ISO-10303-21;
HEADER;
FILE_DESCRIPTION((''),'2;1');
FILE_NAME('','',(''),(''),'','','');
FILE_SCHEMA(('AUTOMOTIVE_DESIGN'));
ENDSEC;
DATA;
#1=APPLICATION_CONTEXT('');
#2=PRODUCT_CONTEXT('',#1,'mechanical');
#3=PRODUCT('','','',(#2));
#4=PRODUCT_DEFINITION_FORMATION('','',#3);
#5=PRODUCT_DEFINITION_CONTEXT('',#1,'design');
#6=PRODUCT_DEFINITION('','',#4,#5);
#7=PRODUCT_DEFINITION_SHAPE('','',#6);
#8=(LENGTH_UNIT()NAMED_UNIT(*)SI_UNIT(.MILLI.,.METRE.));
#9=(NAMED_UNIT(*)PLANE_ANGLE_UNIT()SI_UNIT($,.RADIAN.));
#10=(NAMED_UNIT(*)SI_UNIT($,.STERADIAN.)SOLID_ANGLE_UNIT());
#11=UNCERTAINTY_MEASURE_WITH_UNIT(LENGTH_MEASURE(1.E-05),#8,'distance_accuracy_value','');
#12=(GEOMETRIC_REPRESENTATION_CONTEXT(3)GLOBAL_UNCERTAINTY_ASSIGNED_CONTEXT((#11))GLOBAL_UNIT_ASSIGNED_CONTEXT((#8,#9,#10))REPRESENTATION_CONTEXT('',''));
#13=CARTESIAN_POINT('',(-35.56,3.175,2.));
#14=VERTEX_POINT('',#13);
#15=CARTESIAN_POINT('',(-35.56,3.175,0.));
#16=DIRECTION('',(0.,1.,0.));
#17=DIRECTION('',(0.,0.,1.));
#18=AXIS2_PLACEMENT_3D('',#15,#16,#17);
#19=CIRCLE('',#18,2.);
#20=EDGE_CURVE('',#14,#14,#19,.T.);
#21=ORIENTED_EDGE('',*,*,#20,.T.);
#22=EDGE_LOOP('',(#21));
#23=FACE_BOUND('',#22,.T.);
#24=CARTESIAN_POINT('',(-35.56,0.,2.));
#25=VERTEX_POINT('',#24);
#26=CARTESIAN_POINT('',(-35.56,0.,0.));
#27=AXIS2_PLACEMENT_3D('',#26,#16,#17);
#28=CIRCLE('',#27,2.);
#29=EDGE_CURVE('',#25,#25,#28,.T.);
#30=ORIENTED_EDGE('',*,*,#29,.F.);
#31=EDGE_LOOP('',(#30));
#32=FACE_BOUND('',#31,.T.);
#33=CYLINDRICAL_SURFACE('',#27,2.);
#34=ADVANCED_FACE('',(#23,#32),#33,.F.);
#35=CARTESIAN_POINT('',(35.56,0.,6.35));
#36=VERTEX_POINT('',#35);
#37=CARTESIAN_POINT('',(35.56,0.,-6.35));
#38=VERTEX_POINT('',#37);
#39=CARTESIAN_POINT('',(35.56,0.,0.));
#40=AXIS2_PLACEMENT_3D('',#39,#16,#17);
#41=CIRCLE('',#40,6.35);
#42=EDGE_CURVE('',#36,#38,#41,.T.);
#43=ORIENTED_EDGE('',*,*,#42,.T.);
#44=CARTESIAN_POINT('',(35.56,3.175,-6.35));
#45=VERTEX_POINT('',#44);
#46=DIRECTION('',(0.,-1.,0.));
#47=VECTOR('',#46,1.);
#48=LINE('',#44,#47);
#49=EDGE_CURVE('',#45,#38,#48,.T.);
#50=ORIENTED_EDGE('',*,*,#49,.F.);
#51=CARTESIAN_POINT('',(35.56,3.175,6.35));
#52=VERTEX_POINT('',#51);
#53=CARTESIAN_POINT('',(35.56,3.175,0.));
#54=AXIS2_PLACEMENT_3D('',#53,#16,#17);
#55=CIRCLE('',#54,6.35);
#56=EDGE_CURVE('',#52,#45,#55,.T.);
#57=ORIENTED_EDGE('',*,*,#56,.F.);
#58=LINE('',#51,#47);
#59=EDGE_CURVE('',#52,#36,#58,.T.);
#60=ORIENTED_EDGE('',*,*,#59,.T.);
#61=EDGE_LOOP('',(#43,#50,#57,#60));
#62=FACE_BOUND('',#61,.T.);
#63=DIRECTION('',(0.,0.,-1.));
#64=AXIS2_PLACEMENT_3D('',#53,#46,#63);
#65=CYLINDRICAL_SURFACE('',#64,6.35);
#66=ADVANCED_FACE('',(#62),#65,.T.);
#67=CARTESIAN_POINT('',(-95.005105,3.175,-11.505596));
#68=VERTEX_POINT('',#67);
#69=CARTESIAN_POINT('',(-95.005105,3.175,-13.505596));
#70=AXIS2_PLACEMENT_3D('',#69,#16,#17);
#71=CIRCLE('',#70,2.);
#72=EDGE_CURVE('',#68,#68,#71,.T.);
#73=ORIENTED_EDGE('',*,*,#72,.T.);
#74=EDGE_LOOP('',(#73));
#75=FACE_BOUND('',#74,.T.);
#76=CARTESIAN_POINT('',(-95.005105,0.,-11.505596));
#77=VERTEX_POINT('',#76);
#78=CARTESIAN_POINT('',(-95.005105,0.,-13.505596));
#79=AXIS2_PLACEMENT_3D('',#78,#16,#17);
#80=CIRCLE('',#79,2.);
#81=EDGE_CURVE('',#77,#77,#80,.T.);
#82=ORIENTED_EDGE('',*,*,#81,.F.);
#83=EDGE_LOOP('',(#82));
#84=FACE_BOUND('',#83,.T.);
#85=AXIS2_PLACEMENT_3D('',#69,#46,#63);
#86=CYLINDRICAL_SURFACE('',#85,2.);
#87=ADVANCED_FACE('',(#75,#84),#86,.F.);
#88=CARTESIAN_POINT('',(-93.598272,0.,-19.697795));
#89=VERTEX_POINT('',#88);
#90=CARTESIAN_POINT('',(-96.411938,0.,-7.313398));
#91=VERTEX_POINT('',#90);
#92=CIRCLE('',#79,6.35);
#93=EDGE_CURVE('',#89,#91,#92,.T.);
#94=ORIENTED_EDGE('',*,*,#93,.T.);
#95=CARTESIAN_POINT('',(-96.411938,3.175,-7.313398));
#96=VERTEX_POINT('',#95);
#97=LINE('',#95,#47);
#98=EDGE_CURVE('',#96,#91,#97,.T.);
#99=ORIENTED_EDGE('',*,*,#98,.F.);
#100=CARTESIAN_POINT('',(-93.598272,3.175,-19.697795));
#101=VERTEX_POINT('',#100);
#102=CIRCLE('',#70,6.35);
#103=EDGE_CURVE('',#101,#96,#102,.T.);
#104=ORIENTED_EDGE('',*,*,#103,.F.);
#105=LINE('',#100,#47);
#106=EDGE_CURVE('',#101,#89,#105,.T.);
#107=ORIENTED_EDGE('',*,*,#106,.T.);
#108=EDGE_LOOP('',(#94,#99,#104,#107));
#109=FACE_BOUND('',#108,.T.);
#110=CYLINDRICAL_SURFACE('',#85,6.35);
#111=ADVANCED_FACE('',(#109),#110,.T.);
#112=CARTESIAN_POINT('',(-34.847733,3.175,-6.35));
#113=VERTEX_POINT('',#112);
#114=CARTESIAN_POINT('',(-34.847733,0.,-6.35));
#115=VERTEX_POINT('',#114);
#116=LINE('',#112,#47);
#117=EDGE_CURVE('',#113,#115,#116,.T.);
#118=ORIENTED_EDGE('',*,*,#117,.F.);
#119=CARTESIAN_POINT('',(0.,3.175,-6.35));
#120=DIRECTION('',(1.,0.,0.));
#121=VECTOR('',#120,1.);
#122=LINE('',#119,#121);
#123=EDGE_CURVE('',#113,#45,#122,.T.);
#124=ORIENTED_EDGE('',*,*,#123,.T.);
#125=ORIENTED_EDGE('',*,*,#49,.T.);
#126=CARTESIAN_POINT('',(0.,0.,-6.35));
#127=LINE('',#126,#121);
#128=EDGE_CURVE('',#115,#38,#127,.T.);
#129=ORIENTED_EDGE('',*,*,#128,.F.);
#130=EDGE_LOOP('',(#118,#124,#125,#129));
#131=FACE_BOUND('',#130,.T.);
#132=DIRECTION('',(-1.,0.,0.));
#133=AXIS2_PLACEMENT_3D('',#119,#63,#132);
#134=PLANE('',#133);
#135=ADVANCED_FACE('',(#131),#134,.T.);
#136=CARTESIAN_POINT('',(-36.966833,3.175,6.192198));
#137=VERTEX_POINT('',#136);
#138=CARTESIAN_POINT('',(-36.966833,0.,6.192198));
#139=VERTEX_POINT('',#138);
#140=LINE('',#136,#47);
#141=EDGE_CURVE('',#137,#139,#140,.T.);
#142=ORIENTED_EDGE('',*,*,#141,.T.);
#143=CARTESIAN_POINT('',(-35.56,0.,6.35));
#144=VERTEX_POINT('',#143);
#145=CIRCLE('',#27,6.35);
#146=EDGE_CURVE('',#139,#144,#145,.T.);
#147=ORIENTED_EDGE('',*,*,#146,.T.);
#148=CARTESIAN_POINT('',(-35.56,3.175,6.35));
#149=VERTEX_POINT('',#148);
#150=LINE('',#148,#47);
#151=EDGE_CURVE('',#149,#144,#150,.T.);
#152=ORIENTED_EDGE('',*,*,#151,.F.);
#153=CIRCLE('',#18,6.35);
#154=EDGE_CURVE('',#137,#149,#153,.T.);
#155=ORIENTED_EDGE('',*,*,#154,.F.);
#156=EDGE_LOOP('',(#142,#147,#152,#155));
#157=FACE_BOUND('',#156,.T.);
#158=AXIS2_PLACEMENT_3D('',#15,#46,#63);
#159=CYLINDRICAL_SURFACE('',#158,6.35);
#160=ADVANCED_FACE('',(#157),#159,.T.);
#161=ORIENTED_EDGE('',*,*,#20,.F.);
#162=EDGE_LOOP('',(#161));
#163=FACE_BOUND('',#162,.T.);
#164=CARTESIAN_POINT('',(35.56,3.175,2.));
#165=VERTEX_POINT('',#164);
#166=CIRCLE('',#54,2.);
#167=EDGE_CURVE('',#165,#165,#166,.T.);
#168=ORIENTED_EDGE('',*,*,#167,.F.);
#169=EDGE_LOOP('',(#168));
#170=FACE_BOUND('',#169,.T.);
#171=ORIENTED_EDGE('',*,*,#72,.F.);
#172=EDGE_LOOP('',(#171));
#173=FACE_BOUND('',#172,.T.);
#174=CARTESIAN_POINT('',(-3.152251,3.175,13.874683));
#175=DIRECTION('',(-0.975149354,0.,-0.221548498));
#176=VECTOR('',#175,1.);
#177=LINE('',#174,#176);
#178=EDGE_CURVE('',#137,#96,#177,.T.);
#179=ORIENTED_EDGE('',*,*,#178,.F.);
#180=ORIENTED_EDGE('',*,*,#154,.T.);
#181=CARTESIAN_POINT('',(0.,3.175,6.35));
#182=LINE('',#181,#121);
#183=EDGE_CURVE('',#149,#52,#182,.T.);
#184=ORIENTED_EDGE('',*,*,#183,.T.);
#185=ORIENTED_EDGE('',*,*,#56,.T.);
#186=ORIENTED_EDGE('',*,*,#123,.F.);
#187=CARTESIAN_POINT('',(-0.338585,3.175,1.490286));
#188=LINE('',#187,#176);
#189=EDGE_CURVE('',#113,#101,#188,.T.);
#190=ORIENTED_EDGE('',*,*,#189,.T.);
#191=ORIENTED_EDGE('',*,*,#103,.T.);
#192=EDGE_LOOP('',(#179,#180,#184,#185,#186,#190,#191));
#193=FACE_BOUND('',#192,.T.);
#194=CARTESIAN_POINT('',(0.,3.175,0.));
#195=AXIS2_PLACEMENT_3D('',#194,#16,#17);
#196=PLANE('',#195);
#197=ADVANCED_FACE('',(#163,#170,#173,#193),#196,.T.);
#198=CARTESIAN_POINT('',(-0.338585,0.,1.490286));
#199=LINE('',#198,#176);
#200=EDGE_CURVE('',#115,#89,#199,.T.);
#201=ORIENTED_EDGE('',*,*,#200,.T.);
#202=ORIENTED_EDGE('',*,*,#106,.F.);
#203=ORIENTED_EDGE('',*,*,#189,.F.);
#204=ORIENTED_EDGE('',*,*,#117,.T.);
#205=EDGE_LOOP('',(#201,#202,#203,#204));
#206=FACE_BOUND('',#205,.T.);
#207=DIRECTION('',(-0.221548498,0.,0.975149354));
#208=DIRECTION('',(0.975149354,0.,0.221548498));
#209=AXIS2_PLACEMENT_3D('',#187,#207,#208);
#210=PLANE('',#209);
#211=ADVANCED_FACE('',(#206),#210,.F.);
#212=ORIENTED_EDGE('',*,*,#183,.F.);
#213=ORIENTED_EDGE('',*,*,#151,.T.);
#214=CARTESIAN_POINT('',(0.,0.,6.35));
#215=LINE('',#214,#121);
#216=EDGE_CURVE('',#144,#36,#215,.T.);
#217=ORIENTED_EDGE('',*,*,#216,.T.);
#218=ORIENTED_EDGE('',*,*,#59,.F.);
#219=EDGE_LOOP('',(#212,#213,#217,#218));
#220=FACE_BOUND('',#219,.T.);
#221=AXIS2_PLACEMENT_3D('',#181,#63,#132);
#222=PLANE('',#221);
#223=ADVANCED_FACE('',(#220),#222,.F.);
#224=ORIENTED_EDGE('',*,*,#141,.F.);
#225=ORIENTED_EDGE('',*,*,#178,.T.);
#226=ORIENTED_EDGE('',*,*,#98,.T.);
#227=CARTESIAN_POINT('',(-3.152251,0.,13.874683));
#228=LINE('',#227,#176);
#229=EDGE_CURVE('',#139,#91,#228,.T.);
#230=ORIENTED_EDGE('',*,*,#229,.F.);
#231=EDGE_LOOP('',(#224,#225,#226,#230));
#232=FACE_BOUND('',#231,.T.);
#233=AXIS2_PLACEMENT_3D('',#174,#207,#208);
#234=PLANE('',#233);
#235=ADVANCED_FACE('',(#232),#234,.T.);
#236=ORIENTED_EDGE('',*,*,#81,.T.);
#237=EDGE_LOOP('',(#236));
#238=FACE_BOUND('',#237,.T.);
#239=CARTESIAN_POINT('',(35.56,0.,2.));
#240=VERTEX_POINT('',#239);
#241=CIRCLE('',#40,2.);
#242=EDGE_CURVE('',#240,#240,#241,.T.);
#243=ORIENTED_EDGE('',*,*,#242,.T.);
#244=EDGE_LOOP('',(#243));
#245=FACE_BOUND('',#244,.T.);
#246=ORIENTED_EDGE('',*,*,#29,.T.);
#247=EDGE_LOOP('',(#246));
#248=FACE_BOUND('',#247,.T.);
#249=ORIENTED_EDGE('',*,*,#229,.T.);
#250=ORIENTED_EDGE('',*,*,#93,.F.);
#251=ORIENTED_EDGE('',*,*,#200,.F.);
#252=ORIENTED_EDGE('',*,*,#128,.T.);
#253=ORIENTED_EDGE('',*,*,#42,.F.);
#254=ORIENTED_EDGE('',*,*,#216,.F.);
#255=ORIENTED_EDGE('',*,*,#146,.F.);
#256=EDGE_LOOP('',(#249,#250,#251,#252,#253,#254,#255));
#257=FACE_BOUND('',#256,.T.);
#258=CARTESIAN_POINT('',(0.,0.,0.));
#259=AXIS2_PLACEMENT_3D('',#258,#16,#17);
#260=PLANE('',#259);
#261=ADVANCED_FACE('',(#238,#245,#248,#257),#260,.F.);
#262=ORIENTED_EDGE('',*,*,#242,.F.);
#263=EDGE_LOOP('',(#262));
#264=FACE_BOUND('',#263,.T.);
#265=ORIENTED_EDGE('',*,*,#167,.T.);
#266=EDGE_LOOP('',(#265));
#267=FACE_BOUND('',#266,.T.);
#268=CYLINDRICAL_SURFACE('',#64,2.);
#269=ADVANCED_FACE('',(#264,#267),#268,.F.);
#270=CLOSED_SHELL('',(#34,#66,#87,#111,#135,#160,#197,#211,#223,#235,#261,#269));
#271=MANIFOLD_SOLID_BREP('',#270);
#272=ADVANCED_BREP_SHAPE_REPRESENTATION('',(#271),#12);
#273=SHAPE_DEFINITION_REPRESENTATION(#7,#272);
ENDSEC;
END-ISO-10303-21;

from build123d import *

# Parameters (mm, degrees)
SKETCH2_R               = 2.000000064
BOSS_EXTRUDE2_DEPTH     = 3.175
SKETCH1_R               = 2.000000064
BOSS_EXTRUDE3_DEPTH     = 3.175
SKETCH3_R               = 2.000000064
CUT_EXTRUDE1_DEPTH      = 1
CUT_EXTRUDE1_DEPTH_BACK = 4.175


with BuildPart() as part:
    # Sketch2 → Boss-Extrude2 (new body)
    with BuildSketch(Plane(origin=(0, 0, 0), x_dir=(1, 0, 0), z_dir=(0, 1, 0))):
        with BuildLine():
            Line((-36.96683296, -6.1921984), (-96.411937598, 7.313398015))
            ThreePointArc((-96.411937598, 7.313398015), (-101.197303038, 14.912429375), (-93.598271679, 19.697794815))
            Line((-93.598271679, 19.697794815), (-34.15316704, 6.1921984))
            ThreePointArc((-34.15316704, 6.1921984), (-29.3678016, -1.40683296), (-36.96683296, -6.1921984))
        make_face()
        with Locations((-95.005104638, 13.505596415)):
            Circle(SKETCH2_R, mode=Mode.SUBTRACT)
    extrude(amount=BOSS_EXTRUDE2_DEPTH)

    # Sketch1 → Boss-Extrude3 (add)
    with BuildSketch(Plane(origin=(0, 0, 0), x_dir=(1, 0, 0), z_dir=(0, 1, 0))):
        with BuildLine():
            Line((-35.56, 6.35), (35.56, 6.35))
            ThreePointArc((35.56, 6.35), (41.91, 0), (35.56, -6.35))
            Line((35.56, -6.35), (-35.56, -6.35))
            ThreePointArc((-35.56, -6.35), (-41.91, 0), (-35.56, 6.35))
        make_face()
        with Locations((35.56, 0)):
            Circle(SKETCH1_R, mode=Mode.SUBTRACT)
    extrude(amount=BOSS_EXTRUDE3_DEPTH)

    # Sketch3 → Cut-Extrude1 (cut, two sides)
    with BuildSketch(Plane(origin=(0, 3.175, 0), x_dir=(1, 0, 0), z_dir=(0, 1, 0))) as cut_extrude1_sk:
        with Locations((-35.56, 0)):
            Circle(SKETCH3_R)
    extrude(amount=CUT_EXTRUDE1_DEPTH, mode=Mode.SUBTRACT)
    extrude(cut_extrude1_sk.sketch, amount=-CUT_EXTRUDE1_DEPTH_BACK, mode=Mode.SUBTRACT)


solid = part.part
